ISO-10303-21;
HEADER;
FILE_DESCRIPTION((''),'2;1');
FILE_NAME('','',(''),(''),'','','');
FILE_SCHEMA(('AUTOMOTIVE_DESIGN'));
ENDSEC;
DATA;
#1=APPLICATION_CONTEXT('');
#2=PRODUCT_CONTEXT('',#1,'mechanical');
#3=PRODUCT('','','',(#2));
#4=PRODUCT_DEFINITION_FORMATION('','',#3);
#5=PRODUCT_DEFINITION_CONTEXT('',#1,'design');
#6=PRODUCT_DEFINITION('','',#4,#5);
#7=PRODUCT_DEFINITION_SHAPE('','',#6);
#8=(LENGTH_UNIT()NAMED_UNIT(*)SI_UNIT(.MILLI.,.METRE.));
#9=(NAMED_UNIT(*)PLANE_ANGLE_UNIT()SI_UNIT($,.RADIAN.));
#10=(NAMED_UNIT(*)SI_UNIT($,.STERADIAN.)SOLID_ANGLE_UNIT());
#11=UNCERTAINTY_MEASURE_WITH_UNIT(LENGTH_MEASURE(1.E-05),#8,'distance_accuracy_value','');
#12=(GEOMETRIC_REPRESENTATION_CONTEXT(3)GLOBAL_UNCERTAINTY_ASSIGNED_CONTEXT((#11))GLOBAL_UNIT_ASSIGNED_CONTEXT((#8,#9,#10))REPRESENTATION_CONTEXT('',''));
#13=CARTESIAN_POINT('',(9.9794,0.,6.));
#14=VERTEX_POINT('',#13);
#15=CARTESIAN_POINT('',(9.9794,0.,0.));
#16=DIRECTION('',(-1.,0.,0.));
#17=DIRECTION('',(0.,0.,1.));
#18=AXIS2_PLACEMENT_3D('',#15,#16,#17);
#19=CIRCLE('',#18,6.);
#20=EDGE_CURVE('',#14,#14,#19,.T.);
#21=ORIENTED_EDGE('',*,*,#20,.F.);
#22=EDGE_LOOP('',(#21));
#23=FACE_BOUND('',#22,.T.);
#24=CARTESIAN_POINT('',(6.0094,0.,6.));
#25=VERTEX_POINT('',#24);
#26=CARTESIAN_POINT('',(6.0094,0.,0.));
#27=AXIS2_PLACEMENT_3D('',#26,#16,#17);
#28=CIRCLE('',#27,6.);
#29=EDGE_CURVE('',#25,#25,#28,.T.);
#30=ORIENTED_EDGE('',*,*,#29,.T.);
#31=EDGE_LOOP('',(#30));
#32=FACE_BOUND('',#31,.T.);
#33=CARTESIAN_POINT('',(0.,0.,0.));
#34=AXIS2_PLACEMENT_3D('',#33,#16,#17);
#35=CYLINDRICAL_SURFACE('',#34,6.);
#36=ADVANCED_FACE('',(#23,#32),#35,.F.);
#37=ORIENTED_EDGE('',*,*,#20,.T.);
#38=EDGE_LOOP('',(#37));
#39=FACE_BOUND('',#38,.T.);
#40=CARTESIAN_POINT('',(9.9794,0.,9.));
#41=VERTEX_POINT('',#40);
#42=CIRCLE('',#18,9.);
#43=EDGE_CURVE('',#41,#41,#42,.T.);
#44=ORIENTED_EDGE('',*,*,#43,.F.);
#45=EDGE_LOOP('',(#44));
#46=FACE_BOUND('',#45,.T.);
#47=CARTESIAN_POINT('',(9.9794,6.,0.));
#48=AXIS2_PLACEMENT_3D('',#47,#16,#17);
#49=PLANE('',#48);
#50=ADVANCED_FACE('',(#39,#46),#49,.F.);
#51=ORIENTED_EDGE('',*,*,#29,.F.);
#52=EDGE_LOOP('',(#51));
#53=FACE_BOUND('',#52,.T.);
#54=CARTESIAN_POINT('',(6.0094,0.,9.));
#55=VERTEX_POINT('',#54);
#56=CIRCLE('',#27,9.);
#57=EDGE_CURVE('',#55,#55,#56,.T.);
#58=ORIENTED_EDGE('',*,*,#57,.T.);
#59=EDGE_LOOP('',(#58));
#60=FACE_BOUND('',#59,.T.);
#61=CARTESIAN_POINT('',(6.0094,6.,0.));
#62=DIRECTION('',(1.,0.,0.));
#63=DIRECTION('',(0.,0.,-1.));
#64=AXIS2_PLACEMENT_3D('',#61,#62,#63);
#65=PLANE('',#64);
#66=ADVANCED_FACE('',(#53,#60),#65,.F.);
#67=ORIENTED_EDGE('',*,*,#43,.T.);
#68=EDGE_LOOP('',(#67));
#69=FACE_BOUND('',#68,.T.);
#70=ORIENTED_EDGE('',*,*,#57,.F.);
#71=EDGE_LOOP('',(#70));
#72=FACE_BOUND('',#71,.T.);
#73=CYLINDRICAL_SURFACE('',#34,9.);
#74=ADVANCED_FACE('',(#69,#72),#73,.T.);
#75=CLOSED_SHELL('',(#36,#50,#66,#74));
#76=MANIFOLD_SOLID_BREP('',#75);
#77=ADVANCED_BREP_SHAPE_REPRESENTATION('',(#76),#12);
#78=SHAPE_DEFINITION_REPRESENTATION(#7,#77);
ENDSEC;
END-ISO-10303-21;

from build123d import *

# Parameters (mm, degrees)
SKETCH3_W = 3.969999934
SKETCH3_H = 3.000000096


with BuildPart() as part:
    # Sketch3 → Revolve1 (revolve)
    with BuildSketch(Plane.XY):
        with Locations((7.994399683, 7.499999986)):
            Rectangle(SKETCH3_W, SKETCH3_H)
    revolve(axis=Axis((0, 0, 0), (1, 0, 0)))


solid = part.part
